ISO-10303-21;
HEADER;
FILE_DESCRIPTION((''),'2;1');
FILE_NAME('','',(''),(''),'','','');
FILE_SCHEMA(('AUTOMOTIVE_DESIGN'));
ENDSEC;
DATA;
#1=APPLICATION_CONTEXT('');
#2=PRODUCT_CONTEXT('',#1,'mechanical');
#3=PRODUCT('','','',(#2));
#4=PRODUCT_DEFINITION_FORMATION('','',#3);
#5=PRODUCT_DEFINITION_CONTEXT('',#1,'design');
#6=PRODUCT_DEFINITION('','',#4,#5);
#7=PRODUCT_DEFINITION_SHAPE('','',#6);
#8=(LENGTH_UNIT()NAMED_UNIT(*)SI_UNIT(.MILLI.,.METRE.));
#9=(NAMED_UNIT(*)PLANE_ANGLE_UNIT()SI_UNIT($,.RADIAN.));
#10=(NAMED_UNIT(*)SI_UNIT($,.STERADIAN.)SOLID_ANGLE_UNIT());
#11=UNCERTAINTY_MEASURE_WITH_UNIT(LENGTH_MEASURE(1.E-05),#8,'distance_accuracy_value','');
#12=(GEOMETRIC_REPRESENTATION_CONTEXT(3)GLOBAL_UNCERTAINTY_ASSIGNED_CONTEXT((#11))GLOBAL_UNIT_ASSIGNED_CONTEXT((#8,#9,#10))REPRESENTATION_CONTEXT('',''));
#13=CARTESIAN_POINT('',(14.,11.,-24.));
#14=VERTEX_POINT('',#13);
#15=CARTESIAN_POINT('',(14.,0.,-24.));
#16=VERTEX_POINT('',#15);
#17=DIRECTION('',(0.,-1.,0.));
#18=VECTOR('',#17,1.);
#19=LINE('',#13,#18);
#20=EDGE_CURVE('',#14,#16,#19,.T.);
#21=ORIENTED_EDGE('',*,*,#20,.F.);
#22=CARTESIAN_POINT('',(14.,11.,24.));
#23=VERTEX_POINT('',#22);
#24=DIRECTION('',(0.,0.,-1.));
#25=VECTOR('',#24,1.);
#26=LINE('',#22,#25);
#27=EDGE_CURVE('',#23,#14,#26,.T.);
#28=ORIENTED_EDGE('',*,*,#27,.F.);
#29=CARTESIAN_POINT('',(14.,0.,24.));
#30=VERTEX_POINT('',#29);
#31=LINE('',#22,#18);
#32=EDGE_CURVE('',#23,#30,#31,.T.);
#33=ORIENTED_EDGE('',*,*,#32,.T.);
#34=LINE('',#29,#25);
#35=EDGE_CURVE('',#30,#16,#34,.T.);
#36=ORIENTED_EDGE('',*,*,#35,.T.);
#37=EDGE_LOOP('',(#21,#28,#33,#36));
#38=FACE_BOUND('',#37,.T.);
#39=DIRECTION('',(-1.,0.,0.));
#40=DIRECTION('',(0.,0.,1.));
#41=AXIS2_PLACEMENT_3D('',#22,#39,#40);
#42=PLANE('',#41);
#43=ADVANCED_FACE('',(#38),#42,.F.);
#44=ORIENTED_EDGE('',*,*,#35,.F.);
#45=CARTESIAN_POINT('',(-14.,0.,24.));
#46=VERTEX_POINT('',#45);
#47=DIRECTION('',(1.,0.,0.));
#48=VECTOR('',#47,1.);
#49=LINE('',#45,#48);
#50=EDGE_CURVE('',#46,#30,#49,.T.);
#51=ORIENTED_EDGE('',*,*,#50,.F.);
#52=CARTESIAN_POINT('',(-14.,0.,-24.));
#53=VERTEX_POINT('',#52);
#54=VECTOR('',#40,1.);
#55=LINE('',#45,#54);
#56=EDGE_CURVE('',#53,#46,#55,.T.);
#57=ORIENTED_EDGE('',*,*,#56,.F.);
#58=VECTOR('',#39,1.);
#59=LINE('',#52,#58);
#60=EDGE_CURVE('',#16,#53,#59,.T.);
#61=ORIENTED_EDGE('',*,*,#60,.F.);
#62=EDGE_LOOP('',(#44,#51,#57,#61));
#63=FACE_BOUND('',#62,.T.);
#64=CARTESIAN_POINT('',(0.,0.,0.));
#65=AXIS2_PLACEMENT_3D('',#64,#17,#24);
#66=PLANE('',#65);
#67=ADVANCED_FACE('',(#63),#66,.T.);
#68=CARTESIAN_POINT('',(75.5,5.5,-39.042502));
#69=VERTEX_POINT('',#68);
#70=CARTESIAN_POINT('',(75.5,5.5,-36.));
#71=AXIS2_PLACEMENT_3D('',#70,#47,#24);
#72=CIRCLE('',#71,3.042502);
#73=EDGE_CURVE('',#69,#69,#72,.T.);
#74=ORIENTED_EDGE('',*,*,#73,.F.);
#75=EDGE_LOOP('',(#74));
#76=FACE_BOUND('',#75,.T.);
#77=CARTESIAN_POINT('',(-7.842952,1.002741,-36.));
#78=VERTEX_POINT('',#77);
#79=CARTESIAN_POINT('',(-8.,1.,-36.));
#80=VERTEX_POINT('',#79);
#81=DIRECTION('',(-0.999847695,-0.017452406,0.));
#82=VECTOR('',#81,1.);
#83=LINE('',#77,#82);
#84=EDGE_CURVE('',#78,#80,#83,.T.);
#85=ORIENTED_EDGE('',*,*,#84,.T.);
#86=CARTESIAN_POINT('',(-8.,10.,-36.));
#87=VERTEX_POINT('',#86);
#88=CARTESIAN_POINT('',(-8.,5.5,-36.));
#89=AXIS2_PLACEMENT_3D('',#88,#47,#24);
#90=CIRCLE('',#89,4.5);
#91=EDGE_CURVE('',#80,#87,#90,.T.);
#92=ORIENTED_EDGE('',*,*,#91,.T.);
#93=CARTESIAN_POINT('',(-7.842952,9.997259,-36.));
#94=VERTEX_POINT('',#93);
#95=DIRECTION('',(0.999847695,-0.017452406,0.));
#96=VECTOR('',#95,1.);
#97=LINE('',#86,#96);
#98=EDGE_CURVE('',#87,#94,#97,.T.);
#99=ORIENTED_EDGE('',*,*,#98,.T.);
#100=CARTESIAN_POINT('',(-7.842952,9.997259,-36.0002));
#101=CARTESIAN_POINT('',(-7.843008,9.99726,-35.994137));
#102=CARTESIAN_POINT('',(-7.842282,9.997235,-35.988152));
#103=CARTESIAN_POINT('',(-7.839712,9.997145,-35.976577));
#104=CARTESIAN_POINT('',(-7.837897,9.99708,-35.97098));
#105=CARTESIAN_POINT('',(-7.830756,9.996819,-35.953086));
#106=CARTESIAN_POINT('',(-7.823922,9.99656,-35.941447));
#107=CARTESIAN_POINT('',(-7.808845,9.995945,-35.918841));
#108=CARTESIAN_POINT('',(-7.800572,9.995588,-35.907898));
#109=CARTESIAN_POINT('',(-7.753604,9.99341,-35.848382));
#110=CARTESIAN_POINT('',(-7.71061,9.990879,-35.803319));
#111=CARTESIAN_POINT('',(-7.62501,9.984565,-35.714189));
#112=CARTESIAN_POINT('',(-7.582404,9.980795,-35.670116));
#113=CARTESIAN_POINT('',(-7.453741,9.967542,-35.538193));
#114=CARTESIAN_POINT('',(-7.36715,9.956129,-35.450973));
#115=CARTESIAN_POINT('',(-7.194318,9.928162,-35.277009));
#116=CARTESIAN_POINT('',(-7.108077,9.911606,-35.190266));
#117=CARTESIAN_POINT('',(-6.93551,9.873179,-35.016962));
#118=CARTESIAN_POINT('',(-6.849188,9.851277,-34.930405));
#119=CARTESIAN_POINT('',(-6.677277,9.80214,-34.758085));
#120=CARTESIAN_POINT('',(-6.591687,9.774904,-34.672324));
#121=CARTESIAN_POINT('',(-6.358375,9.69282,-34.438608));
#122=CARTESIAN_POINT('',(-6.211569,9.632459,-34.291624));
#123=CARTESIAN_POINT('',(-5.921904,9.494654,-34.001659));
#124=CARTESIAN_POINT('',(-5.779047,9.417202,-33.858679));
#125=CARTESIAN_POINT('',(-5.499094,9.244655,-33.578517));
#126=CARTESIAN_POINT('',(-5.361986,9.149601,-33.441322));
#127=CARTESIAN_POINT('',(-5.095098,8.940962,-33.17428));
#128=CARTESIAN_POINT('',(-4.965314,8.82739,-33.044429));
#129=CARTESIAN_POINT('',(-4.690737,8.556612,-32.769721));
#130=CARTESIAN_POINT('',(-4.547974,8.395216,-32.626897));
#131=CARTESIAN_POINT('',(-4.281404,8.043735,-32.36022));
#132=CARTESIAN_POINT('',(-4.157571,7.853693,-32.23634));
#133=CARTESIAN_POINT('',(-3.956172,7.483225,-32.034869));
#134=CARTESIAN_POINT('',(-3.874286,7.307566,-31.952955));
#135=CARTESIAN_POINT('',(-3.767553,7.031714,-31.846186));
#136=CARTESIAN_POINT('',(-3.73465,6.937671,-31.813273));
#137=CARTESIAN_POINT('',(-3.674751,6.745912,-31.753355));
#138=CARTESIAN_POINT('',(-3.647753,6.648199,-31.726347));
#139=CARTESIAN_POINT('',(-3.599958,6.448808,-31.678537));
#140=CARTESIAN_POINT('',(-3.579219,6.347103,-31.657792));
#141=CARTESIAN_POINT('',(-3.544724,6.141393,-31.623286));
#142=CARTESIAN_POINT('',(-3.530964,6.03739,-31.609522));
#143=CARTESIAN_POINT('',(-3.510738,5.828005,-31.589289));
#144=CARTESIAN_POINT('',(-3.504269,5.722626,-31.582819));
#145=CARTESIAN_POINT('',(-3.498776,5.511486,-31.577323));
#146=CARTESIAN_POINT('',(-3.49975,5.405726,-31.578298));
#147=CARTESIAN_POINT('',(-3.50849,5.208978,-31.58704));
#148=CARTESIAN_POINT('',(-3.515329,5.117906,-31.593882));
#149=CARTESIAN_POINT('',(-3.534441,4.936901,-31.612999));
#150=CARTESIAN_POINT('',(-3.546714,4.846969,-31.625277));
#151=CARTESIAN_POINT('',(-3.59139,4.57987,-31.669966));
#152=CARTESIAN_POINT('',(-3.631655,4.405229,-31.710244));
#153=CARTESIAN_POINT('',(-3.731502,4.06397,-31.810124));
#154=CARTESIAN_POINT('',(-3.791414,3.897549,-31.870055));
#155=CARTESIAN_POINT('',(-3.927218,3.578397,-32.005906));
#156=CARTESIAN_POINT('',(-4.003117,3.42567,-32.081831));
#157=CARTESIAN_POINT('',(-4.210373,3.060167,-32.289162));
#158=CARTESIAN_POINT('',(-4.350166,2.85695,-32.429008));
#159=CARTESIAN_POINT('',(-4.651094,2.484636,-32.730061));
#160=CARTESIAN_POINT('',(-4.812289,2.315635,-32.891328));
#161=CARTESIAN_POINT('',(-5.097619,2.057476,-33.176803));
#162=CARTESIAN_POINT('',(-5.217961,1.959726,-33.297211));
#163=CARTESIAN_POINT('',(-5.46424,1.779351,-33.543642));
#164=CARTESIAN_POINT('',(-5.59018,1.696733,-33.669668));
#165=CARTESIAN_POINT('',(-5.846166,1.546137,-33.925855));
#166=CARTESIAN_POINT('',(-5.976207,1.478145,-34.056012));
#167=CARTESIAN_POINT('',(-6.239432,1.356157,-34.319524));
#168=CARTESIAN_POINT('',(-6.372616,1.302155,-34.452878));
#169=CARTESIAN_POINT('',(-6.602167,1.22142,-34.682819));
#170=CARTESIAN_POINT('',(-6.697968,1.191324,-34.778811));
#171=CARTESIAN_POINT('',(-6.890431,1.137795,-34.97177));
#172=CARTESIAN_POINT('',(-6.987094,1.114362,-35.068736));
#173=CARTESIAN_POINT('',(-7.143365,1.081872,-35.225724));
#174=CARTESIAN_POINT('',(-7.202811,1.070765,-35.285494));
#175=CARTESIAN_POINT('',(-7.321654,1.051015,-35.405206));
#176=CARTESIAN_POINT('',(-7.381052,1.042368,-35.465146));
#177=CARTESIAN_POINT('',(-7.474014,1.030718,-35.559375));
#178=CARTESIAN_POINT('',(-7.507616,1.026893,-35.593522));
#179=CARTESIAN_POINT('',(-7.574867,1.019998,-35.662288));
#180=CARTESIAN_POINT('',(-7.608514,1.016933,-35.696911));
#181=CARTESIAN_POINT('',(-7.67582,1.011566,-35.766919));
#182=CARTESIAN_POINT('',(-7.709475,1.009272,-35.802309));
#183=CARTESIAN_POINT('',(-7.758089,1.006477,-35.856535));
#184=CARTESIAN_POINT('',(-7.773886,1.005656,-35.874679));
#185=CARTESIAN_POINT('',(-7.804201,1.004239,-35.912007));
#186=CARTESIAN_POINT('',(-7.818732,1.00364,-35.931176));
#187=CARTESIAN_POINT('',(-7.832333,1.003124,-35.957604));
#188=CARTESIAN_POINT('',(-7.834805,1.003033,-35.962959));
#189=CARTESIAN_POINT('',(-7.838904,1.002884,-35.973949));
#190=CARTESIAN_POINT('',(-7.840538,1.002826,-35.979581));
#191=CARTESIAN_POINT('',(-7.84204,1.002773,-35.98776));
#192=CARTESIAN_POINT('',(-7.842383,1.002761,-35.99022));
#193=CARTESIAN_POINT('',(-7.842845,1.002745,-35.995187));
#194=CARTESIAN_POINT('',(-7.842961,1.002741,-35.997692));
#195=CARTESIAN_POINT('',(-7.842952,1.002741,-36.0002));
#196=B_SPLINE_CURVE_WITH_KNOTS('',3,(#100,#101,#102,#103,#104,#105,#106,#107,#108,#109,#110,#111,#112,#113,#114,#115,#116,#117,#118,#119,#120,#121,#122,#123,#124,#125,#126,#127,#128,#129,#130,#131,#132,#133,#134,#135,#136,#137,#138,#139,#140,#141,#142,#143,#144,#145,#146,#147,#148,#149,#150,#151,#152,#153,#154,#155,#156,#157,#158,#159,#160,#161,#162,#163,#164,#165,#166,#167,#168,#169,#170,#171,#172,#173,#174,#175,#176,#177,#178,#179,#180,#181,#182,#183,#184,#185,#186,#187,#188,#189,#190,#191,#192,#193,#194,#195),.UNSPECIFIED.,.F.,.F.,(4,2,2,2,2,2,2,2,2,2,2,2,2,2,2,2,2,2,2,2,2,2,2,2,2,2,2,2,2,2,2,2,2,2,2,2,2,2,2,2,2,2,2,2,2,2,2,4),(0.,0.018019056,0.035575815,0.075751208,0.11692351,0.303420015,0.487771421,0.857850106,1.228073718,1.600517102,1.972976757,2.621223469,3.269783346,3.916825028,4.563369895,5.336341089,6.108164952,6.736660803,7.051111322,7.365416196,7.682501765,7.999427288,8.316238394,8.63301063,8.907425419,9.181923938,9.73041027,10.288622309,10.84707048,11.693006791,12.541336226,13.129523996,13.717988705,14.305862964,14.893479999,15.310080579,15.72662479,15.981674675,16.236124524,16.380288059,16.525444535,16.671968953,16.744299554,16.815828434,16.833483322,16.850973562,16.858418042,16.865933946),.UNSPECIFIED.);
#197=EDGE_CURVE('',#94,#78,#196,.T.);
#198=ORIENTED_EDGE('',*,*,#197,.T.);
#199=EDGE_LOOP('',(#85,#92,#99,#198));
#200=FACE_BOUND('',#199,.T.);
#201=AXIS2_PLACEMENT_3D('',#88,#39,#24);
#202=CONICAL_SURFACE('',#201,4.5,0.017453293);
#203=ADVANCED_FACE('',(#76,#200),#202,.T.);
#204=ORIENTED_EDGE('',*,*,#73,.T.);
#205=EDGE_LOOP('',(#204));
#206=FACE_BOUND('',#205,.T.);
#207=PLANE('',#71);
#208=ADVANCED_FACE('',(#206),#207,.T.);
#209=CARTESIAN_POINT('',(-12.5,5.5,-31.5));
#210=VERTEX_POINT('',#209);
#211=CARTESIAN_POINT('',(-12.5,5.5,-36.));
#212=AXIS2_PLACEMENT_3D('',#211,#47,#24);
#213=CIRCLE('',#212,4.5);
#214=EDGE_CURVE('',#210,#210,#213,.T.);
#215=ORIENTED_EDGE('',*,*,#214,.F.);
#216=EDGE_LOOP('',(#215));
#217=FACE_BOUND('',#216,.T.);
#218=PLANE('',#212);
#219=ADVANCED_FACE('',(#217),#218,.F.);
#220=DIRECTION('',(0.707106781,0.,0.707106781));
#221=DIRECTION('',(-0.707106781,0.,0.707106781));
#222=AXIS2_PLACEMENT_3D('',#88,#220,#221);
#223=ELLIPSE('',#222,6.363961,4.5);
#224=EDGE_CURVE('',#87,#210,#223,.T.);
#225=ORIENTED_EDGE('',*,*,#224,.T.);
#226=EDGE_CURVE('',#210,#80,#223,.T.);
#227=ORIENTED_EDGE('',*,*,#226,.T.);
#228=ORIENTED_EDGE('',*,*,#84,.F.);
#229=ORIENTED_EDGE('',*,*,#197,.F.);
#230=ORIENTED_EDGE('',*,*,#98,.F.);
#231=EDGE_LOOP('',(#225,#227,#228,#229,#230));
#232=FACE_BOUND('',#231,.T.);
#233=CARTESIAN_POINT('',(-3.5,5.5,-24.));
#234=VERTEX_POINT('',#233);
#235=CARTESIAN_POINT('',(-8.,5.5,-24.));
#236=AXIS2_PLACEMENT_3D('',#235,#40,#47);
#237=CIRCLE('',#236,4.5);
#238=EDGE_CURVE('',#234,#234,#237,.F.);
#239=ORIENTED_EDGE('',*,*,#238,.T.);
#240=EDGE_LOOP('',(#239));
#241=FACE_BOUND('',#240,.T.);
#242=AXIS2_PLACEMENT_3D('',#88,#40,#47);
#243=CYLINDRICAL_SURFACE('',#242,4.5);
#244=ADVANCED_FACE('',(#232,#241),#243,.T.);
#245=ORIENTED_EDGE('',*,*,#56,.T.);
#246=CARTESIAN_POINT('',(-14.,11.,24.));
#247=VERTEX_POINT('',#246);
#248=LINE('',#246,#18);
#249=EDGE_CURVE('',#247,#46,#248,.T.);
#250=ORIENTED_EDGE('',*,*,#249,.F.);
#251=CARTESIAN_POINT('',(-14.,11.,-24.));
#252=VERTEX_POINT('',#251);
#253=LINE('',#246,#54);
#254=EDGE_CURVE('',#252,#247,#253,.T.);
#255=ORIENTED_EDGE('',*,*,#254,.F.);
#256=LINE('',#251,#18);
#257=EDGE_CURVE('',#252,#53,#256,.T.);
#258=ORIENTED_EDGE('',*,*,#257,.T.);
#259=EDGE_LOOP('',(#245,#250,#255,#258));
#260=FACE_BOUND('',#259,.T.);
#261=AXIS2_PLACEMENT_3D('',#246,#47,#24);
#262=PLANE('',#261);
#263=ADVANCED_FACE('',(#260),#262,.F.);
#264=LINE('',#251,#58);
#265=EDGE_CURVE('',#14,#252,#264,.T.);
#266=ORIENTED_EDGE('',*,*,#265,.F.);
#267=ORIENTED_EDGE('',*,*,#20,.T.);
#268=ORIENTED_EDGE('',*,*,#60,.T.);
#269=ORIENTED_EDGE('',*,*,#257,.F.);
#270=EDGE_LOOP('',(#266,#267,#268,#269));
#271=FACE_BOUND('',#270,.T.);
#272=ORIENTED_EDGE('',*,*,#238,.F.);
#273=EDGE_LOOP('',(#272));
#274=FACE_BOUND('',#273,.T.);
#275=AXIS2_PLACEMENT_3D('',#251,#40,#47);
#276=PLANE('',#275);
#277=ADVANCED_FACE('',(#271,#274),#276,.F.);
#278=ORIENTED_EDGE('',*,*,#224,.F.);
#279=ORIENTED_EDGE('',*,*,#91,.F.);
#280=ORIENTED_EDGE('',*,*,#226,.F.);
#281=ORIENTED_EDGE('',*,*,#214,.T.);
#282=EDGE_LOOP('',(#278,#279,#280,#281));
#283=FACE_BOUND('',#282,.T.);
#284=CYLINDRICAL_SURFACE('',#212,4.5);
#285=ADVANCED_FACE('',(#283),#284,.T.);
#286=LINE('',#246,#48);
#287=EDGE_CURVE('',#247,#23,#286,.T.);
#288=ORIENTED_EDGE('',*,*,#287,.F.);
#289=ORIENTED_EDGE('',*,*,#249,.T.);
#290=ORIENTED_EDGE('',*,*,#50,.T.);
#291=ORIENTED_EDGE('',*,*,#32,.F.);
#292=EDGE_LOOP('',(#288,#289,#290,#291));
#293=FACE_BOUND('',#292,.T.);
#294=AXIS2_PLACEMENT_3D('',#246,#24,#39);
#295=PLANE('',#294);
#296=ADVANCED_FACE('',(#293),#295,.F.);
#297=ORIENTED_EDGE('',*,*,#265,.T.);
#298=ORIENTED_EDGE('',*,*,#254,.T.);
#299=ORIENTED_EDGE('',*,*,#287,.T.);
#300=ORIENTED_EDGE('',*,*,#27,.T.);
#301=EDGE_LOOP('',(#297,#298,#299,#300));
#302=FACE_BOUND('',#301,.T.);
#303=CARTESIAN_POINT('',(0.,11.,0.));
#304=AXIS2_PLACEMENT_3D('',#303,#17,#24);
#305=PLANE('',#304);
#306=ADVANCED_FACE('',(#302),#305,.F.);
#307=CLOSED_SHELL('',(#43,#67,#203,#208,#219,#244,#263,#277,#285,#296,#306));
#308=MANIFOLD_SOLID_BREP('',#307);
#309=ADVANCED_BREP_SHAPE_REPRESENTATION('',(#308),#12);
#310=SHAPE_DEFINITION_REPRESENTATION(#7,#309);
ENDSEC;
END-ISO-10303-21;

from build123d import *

# Parameters (mm, degrees)
SCHIZZO1_W                             = 28
SCHIZZO1_H                             = 48
ESTRUSIONE_ESTRUSIONE1_DEPTH           = 11
SCHIZZO3_R                             = 4.5
ESTRUSIONE_ESTRUSIONE2_DEPTH           = 12
SCHIZZO4_R                             = 4.5
ESTRUSIONE_ESTRUSIONE3_DEPTH           = 83.5
ESTRUSIONE_ESTRUSIONE3_TAPER           = 1
ESTRUSIONE_ESTRUSIONE3_OTHER_WAY_DEPTH = 4.5


with BuildPart() as part:
    # Schizzo1 → Estrusione-Estrusione1 (new body)
    with BuildSketch(Plane(origin=(0, 0, 0), x_dir=(1, 0, 0), z_dir=(0, 1, 0))):
        Rectangle(SCHIZZO1_W, SCHIZZO1_H)
    extrude(amount=ESTRUSIONE_ESTRUSIONE1_DEPTH)

    # Schizzo3 → Estrusione-Estrusione2 (add)
    with BuildSketch(Plane(origin=(0, 0, -24), x_dir=(-1, 0, 0), z_dir=(0, 0, -1))):
        with Locations(Location((8, 5.5, 0), (0, 0, 180))):
            Circle(SCHIZZO3_R)
    extrude(amount=ESTRUSIONE_ESTRUSIONE2_DEPTH)

    # Schizzo4 → Estrusione-Estrusione3 (add)
    with BuildSketch(Plane(origin=(-8, 0, 0), x_dir=(0, 0, -1), z_dir=(1, 0, 0))):
        with Locations((36, 5.5)):
            Circle(SCHIZZO4_R)
    extrude(amount=ESTRUSIONE_ESTRUSIONE3_DEPTH, taper=ESTRUSIONE_ESTRUSIONE3_TAPER)

    # Schizzo4 → Estrusione-Estrusione3 other way (add)
    with BuildSketch(Plane(origin=(-8, 0, 0), x_dir=(0, 0, -1), z_dir=(1, 0, 0))):
        with Locations((36, 5.5)):
            Circle(SCHIZZO4_R)
    extrude(amount=-ESTRUSIONE_ESTRUSIONE3_OTHER_WAY_DEPTH)


solid = part.part
